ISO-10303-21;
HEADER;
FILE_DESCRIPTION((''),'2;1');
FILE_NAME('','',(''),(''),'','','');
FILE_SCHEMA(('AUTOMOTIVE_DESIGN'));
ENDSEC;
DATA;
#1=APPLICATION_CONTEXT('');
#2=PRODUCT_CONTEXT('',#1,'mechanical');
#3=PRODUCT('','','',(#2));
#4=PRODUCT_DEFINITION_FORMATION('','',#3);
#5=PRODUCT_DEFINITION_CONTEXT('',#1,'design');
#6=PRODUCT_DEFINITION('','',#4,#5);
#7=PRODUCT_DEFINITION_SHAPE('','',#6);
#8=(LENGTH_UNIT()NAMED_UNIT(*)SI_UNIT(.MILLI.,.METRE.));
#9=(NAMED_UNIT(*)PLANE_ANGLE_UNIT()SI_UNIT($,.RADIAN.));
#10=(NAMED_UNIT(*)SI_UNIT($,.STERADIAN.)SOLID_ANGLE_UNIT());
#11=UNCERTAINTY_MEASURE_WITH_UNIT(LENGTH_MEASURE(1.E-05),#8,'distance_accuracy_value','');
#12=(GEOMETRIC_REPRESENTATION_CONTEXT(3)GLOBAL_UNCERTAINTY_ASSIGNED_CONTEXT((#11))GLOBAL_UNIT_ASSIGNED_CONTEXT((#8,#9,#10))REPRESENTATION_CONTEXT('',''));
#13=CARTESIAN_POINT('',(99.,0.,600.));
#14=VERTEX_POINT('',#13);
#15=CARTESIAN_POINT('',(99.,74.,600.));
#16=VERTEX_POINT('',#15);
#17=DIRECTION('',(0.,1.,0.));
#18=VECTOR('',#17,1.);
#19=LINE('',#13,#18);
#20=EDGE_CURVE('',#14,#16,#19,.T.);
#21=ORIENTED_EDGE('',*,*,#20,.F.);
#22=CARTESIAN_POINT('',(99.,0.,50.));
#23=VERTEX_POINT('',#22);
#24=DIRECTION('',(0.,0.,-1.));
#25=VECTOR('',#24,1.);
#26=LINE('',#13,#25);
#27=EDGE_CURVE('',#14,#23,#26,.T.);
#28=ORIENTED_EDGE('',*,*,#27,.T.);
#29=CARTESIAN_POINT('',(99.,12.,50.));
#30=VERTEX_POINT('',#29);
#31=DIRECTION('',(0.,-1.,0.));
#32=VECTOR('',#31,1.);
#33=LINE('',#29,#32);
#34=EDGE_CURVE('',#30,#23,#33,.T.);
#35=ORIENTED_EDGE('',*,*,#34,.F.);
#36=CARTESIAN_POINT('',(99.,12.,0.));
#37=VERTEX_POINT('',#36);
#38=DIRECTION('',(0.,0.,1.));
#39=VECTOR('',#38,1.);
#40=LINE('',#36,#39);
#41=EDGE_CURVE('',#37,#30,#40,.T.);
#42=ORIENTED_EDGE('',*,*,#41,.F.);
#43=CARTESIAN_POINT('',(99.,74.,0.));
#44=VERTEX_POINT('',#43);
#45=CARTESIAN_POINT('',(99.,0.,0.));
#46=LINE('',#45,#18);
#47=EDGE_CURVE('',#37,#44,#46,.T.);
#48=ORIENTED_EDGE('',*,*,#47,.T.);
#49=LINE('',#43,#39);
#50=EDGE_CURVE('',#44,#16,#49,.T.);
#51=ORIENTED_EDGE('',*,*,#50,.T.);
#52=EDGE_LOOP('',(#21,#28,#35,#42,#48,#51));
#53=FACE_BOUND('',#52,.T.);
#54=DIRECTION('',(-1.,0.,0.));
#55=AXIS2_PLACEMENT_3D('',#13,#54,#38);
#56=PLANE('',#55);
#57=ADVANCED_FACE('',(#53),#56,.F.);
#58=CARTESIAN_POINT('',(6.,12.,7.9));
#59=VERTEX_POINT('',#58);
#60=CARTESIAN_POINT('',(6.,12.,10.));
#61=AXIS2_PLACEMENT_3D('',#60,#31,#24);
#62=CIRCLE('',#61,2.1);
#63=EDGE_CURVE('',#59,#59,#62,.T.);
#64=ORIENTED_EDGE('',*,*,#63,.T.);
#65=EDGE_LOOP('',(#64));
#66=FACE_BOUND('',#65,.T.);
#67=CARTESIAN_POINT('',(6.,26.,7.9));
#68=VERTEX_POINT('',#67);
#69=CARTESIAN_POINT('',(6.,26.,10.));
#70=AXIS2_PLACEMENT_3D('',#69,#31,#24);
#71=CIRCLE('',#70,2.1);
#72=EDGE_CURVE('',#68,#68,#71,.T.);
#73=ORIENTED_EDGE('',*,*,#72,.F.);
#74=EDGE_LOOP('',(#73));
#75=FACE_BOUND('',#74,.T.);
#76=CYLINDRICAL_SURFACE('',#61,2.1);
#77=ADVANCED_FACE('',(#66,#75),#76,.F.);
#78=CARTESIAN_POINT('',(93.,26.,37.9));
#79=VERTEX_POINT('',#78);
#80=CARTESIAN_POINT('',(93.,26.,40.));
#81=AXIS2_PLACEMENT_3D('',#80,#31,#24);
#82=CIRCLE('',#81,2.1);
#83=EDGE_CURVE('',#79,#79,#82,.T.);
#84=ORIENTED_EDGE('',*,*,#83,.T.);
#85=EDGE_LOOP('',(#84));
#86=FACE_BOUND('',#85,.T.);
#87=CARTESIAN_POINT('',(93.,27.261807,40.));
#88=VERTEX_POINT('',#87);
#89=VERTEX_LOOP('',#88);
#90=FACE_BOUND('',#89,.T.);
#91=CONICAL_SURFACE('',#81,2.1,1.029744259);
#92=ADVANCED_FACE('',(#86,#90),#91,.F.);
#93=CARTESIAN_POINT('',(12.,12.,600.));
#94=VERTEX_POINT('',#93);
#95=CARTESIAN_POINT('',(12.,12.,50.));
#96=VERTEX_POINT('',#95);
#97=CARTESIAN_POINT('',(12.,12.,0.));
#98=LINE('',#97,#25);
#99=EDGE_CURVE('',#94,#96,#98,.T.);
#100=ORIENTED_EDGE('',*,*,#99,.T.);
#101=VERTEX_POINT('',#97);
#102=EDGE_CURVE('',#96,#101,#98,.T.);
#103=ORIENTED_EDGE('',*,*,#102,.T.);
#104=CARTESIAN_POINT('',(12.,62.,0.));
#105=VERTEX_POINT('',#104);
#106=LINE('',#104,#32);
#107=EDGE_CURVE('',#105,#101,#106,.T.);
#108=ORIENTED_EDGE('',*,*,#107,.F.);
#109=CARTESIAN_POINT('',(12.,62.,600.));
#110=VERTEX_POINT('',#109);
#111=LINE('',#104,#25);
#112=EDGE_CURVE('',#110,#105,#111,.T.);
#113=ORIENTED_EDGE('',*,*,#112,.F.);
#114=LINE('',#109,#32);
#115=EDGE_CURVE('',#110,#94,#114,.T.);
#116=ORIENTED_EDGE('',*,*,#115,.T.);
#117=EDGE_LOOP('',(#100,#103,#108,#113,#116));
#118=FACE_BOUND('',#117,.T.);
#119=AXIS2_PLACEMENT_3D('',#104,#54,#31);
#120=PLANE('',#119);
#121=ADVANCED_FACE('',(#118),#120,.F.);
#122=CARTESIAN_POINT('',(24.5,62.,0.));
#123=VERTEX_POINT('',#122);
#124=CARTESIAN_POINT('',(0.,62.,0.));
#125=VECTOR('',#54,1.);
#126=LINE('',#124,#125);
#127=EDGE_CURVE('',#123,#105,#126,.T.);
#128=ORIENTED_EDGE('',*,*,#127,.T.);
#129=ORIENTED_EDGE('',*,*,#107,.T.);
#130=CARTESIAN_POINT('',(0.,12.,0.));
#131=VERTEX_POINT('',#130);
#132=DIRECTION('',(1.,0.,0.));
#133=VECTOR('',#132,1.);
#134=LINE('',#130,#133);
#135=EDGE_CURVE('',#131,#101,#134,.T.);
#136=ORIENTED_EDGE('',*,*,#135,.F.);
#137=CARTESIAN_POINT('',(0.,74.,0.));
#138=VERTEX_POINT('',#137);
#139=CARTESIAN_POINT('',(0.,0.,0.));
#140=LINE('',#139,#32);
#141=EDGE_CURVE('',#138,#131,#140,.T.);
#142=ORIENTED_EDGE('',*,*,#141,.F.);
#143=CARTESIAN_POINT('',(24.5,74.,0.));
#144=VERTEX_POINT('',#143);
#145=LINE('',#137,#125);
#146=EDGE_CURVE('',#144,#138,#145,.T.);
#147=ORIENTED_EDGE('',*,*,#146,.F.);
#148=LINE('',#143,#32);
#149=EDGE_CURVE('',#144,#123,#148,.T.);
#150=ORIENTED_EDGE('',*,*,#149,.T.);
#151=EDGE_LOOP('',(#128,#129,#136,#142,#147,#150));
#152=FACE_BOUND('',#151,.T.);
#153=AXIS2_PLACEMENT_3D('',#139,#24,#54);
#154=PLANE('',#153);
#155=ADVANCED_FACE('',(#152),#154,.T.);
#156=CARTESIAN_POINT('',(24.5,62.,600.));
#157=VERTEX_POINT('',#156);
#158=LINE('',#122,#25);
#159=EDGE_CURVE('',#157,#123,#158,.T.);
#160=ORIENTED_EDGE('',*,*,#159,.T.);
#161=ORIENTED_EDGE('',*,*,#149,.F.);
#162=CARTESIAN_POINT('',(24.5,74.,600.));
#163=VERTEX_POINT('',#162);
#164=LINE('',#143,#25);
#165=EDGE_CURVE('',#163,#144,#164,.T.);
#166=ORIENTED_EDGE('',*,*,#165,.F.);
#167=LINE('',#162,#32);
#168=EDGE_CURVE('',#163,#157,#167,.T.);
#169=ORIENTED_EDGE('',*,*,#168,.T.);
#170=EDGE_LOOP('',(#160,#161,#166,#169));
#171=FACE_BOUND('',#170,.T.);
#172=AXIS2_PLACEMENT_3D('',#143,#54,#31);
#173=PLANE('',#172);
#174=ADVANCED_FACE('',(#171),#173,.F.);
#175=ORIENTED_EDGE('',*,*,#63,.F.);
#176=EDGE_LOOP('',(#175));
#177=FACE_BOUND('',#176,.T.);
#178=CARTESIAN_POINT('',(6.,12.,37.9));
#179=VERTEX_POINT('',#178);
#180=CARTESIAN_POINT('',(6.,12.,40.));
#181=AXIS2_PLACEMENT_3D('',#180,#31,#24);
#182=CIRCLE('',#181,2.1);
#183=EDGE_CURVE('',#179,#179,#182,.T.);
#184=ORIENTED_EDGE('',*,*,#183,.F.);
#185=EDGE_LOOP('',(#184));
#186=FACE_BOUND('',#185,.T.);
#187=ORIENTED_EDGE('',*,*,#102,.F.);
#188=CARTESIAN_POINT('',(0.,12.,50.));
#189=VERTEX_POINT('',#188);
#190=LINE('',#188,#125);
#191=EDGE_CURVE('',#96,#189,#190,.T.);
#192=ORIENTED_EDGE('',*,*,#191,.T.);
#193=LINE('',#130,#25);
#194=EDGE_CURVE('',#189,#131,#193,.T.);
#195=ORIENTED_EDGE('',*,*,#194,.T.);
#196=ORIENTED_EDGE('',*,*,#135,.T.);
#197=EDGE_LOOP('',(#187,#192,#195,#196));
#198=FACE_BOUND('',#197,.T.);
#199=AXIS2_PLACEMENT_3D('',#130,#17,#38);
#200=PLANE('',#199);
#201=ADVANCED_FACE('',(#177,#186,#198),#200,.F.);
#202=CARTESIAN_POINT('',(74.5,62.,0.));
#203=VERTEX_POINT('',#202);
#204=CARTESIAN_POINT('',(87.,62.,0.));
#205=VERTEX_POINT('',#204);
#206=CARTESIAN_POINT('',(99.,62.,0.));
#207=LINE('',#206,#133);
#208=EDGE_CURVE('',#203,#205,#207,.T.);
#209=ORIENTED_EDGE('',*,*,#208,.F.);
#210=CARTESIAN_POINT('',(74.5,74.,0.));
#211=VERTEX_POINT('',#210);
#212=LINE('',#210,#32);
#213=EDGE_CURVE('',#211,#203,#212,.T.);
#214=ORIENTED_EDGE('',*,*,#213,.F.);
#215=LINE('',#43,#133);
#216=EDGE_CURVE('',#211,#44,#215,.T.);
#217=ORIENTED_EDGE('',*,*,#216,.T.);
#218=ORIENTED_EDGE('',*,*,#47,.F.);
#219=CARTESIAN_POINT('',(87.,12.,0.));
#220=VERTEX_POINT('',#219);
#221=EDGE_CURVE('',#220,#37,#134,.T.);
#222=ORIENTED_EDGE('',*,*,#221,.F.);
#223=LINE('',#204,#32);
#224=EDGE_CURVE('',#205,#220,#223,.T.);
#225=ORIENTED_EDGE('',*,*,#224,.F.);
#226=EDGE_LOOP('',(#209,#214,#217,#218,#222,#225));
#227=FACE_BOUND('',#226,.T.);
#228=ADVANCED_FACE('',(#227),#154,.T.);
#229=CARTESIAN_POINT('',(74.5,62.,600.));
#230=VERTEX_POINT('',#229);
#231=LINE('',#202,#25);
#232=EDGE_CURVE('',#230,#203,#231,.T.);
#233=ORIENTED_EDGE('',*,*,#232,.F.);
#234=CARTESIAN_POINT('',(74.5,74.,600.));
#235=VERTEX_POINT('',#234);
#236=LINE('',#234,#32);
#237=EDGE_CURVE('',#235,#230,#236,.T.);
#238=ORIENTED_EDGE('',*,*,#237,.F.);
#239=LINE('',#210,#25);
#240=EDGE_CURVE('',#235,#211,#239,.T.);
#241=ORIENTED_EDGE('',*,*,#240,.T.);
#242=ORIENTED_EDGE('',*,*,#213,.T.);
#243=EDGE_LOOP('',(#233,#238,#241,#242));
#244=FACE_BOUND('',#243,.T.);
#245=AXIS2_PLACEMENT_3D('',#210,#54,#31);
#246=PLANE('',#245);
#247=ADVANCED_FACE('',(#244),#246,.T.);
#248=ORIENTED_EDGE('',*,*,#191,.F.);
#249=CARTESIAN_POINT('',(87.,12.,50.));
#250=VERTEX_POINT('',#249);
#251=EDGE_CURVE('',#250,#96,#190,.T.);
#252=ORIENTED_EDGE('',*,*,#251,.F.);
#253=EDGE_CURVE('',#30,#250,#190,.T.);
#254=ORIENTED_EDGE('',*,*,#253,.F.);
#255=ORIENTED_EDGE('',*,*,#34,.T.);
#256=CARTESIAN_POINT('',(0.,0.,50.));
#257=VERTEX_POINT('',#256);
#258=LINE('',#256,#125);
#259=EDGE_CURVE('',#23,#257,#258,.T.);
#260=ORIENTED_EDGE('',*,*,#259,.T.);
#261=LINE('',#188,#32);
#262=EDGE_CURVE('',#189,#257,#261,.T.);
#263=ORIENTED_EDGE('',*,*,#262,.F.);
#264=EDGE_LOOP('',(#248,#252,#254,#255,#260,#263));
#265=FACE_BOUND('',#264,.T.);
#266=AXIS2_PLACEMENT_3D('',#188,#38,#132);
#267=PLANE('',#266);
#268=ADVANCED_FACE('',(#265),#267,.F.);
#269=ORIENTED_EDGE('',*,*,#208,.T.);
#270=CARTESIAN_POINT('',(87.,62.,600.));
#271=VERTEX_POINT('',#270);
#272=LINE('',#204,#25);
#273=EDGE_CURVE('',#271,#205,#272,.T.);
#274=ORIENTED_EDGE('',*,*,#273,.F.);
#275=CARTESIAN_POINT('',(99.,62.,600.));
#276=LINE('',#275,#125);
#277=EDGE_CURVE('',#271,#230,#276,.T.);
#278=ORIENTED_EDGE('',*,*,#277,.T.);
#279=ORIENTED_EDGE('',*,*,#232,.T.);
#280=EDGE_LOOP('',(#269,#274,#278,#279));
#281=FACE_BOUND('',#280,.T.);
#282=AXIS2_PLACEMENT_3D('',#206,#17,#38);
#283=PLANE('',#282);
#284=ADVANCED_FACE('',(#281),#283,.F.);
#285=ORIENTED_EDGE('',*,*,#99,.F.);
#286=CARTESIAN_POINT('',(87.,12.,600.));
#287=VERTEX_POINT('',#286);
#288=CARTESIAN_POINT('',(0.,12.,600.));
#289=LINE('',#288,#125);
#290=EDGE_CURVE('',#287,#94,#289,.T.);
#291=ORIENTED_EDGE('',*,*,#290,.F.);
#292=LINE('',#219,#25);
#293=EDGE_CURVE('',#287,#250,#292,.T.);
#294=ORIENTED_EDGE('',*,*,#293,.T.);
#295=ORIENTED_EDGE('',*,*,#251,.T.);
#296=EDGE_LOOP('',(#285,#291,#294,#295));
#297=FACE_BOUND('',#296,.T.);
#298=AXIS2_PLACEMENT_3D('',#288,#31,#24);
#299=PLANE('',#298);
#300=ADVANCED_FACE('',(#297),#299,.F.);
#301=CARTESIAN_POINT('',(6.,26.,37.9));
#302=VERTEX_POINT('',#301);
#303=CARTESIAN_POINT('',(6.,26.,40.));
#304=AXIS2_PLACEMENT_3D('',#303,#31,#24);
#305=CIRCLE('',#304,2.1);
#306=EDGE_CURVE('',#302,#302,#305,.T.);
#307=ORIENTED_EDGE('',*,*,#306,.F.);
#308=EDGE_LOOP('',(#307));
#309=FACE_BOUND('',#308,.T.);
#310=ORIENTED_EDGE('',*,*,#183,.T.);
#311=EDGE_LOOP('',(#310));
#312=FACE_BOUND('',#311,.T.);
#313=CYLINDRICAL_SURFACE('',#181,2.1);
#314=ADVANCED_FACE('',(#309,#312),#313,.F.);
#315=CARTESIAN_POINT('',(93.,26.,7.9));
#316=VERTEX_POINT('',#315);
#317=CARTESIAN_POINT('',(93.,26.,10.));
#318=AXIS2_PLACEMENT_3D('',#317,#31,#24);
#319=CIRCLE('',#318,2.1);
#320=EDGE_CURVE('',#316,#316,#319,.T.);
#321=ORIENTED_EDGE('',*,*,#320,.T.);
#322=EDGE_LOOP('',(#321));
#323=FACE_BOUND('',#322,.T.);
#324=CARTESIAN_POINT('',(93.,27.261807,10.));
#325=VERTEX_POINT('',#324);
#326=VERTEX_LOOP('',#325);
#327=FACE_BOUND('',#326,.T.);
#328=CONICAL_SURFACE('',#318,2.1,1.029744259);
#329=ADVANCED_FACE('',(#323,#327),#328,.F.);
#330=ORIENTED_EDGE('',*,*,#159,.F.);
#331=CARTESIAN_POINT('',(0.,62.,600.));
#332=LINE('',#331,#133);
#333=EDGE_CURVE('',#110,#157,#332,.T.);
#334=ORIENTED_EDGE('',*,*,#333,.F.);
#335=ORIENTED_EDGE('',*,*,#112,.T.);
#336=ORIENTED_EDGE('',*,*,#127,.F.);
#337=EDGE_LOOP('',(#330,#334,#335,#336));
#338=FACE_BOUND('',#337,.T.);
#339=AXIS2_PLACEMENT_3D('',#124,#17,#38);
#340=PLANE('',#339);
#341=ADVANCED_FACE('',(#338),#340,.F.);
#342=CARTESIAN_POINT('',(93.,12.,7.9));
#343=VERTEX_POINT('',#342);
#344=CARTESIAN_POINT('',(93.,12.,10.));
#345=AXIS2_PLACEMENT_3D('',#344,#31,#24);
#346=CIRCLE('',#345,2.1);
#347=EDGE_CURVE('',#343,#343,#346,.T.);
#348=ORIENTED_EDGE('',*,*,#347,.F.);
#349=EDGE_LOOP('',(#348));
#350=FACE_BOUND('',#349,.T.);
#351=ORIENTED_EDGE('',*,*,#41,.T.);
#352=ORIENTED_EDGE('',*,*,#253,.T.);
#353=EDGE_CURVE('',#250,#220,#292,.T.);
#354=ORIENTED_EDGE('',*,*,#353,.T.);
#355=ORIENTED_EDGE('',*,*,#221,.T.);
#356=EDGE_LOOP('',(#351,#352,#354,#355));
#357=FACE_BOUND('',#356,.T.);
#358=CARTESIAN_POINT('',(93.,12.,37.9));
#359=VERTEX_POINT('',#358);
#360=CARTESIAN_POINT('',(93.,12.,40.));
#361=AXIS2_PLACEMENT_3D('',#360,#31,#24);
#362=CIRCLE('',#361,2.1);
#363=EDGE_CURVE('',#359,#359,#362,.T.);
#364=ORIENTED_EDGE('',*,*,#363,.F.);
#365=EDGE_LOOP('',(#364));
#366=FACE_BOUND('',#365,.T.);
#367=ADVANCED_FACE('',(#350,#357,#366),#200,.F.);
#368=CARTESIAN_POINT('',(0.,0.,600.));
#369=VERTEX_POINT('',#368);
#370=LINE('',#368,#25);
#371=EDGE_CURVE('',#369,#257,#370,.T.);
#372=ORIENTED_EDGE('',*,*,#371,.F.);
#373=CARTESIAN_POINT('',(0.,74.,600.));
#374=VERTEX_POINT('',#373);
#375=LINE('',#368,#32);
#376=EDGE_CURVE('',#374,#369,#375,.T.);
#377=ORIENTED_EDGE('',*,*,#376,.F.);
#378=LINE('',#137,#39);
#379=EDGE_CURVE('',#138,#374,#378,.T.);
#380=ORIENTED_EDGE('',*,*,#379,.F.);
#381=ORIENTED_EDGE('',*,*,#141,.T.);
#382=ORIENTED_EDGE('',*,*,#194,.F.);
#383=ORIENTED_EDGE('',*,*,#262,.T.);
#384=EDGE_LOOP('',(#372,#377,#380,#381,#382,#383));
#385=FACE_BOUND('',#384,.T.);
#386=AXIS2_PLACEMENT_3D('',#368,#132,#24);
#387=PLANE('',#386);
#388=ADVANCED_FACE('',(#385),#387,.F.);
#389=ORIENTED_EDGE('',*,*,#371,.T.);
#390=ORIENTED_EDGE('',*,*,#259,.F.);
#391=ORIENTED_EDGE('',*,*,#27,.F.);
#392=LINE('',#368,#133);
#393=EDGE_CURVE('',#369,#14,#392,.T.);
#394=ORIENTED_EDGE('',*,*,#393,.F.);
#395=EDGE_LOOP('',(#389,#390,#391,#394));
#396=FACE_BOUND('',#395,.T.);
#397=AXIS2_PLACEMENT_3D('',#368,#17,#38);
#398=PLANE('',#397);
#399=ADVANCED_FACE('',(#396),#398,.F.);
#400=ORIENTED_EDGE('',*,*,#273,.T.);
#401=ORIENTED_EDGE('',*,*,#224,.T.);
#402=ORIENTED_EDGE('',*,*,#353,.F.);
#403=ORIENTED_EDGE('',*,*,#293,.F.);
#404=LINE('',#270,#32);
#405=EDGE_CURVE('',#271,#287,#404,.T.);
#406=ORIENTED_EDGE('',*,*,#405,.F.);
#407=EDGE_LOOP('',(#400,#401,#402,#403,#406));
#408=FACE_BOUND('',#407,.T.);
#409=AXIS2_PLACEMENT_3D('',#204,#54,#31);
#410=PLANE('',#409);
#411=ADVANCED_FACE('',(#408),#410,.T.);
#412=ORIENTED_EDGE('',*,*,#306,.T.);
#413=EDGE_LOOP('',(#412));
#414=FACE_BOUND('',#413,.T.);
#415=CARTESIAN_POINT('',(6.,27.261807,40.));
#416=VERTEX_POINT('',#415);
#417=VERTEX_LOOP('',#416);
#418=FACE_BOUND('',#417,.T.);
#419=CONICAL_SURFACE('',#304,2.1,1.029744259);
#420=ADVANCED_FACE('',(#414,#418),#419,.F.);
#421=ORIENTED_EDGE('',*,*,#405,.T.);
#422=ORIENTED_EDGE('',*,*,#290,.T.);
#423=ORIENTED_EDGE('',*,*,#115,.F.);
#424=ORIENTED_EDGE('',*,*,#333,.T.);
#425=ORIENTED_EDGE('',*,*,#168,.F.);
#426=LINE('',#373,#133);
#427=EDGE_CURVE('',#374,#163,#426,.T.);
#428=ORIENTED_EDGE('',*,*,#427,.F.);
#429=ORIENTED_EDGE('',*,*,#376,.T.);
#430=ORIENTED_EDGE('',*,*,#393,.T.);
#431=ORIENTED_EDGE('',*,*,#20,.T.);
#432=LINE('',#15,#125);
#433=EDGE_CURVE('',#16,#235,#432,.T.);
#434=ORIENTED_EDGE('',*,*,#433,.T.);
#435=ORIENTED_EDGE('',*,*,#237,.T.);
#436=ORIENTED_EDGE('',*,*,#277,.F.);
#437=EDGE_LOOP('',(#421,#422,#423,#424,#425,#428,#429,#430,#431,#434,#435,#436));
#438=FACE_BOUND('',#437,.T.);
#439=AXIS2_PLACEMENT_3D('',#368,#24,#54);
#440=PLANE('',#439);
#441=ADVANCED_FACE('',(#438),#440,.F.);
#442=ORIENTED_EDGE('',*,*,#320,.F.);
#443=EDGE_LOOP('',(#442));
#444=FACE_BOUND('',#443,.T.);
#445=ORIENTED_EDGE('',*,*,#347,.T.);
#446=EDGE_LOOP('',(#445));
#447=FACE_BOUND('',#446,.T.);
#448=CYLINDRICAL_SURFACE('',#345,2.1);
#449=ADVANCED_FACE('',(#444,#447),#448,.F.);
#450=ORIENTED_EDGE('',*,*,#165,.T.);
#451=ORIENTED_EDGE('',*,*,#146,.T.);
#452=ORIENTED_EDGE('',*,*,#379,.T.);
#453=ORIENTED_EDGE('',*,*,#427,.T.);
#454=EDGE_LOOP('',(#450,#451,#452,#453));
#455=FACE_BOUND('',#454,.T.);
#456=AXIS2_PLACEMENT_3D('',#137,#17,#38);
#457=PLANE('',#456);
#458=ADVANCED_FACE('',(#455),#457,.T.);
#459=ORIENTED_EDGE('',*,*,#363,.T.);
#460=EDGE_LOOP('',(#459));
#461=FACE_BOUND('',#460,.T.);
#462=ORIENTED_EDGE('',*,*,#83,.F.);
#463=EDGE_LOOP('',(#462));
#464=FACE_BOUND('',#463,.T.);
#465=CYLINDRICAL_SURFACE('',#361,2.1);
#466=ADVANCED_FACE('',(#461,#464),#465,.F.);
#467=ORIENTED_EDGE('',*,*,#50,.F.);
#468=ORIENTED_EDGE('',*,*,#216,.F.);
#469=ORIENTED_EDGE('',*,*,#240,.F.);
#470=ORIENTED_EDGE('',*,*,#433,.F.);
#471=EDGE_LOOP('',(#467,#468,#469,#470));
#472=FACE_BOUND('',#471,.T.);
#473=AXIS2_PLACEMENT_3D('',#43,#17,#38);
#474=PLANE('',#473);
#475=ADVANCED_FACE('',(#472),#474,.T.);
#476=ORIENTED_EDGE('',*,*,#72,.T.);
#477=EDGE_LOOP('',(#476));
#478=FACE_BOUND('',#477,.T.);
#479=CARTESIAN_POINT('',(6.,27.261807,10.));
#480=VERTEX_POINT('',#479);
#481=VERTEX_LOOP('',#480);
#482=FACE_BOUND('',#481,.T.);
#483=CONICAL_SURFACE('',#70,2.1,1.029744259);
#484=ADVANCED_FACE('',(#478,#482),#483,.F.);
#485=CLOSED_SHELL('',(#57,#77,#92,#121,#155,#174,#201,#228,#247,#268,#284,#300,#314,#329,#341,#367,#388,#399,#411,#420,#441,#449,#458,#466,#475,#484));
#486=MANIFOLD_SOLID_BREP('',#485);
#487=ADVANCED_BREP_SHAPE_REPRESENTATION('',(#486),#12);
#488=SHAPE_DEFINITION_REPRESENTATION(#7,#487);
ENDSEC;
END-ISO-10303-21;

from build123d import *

# Parameters (mm, degrees)
SKETCH1_W                         = 99
SKETCH1_H                         = 12
BASEPLATE_DEPTH                   = 600
SKETCH2_W                         = 12
SKETCH2_H                         = 600
SIDE_RAIL_DEPTH                   = 50
SKETCH3_W                         = 24.5
SKETCH3_H                         = 600
KEEPER_RAIL_DEPTH                 = 12
SKETCH5_W                         = 99
SKETCH5_H                         = 50
LAP_JOINT_CUTOUT_DEPTH            = 12
LAP_JOINT_BOLT_HOLE_PATTERN_D     = 4.2
LAP_JOINT_BOLT_HOLE_PATTERN_DEPTH = 14
LAP_JOINT_BOLT_HOLE_PATTERN_TIP   = 1.2618073


with BuildPart() as part:
    # Sketch1 → baseplate (new body)
    with BuildSketch(Plane.XY):
        with Locations((49.5, 6)):
            Rectangle(SKETCH1_W, SKETCH1_H)
    extrude(amount=BASEPLATE_DEPTH)

    # Sketch2 → side_rail (add)
    with BuildSketch(Plane(origin=(0, 12, 0), x_dir=(1, 0, 0), z_dir=(0, 1, 0))):
        with Locations((6, -300)):
            Rectangle(SKETCH2_W, SKETCH2_H)
    side_rail = extrude(amount=SIDE_RAIL_DEPTH)

    # Sketch3 → keeper rail (add)
    with BuildSketch(Plane(origin=(0, 62, 0), x_dir=(1, 0, 0), z_dir=(0, 1, 0))):
        with Locations((12.25, -300)):
            Rectangle(SKETCH3_W, SKETCH3_H)
    keeper_rail = extrude(amount=KEEPER_RAIL_DEPTH)

    # mirror rails: side_rail, keeper rail across plane
    add(side_rail.mirror(Plane.ZY.offset(-49.5)))
    add(keeper_rail.mirror(Plane.ZY.offset(-49.5)))

    # Sketch5 → lap joint cutout (cut)
    with BuildSketch(Plane.XZ):
        with Locations((49.5, 25)):
            Rectangle(SKETCH5_W, SKETCH5_H)
    extrude(amount=-LAP_JOINT_CUTOUT_DEPTH, mode=Mode.SUBTRACT)

    # lap joint bolt hole pattern
    with Locations(Plane(origin=(0, 12, 0), x_dir=(-1, 0, 0), z_dir=(0, -1, 0))):
        with Locations((-93, -10), (-6, -40), (-93, -40), (-6, -10)):
            Hole(LAP_JOINT_BOLT_HOLE_PATTERN_D / 2, depth=LAP_JOINT_BOLT_HOLE_PATTERN_DEPTH)
            with Locations((0, 0, -(LAP_JOINT_BOLT_HOLE_PATTERN_DEPTH + LAP_JOINT_BOLT_HOLE_PATTERN_TIP / 2))):  # 118° drill point
                Cone(0, LAP_JOINT_BOLT_HOLE_PATTERN_D / 2, LAP_JOINT_BOLT_HOLE_PATTERN_TIP, mode=Mode.SUBTRACT)


solid = part.part
